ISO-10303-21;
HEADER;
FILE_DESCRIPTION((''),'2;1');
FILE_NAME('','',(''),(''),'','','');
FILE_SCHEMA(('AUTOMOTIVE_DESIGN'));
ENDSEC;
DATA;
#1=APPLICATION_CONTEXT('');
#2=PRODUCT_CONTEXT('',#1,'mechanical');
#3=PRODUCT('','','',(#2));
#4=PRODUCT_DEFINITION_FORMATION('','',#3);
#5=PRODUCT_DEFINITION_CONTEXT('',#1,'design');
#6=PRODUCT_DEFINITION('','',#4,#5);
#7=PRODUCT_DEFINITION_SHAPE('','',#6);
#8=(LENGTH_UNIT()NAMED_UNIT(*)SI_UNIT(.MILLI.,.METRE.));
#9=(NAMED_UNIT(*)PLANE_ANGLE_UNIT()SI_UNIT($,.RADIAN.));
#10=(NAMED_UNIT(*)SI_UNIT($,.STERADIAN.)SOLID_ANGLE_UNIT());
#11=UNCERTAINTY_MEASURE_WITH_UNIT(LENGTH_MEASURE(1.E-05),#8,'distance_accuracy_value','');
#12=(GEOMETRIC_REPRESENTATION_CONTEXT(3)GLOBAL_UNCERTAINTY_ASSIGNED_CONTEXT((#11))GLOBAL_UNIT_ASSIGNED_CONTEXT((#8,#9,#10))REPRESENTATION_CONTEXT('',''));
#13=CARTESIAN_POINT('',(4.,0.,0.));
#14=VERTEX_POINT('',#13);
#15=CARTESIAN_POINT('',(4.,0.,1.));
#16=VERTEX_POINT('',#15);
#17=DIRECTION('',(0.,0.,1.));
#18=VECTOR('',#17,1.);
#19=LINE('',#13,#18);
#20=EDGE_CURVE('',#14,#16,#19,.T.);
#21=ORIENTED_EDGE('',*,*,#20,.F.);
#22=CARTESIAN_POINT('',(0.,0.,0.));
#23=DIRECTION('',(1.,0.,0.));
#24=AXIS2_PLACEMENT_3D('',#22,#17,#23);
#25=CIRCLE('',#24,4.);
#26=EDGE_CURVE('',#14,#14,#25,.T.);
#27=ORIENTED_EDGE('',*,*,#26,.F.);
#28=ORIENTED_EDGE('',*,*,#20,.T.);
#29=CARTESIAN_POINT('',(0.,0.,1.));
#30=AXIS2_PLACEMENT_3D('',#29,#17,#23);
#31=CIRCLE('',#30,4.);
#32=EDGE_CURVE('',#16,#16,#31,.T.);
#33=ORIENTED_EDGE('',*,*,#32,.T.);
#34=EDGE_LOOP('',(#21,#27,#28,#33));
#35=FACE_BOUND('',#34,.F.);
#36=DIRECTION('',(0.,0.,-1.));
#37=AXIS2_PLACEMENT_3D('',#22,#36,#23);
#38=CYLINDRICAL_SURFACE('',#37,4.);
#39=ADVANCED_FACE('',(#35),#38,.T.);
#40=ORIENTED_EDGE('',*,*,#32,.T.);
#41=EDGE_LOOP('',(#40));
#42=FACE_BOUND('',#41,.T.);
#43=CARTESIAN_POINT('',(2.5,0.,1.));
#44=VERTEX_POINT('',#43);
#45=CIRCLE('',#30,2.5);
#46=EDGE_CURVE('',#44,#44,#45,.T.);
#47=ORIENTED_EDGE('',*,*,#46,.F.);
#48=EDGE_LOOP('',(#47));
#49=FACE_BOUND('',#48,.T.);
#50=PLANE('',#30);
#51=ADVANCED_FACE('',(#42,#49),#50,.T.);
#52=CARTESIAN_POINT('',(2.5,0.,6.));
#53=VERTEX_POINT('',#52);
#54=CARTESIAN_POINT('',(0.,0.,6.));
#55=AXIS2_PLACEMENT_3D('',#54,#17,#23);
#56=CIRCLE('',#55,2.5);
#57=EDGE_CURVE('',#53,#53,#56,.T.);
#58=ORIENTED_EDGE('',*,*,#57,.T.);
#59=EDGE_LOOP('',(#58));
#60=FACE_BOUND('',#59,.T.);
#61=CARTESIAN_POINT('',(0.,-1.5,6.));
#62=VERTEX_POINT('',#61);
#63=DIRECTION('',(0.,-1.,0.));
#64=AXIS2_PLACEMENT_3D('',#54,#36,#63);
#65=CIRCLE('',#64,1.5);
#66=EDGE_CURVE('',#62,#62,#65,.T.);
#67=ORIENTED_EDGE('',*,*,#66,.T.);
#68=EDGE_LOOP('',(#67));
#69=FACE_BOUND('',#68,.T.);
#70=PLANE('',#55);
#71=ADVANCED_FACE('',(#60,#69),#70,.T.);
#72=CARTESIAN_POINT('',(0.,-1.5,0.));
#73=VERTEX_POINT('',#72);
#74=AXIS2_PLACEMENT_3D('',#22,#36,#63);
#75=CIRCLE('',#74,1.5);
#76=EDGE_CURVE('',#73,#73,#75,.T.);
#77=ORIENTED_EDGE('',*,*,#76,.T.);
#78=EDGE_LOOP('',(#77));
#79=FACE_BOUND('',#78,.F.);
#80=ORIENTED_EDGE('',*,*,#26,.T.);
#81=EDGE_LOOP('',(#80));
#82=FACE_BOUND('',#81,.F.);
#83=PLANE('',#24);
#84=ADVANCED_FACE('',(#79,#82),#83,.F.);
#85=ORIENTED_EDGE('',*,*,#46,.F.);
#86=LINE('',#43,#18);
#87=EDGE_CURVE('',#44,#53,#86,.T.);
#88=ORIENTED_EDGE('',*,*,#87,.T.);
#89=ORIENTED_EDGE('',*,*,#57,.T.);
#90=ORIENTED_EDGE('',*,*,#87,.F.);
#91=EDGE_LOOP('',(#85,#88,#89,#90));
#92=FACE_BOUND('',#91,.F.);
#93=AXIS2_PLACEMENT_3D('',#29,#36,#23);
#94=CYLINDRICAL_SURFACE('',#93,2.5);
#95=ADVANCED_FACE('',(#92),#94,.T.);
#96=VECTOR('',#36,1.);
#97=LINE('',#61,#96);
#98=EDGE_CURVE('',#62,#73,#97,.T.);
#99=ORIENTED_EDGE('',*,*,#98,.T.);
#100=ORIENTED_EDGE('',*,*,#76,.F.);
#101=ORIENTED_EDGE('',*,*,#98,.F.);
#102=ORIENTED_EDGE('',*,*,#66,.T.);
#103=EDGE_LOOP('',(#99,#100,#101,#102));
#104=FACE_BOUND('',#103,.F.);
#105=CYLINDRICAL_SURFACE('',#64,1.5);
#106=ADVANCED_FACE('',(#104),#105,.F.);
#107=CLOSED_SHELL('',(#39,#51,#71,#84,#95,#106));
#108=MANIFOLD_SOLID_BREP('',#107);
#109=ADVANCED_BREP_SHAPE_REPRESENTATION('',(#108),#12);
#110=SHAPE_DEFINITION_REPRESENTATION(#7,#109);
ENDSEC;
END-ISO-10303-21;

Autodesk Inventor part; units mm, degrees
ref_plane "YZ Plane" through (0, 0, 0) normal (1, 0, 0) x (0, 1, 0)
ref_plane "XZ Plane" through (0, 0, 0) normal (0, 1, 0) x (-1, 0, 0)
ref_plane "XY Plane" through (0, 0, 0) normal (0, 0, 1) x (1, 0, 0)
sketch "スケッチ1" plane through (0, 0, 0) normal (0, 0, 1) x (1, 0, 0)
  circle A0 centre (0, 0) radius 4
  dimension "d0" = 8
extrude "押し出し1" add sketch "スケッチ1" along normal blind 1
sketch "スケッチ2" plane through (0, 0, 1) normal (0, 0, 1) x (1, 0, 0)
  circle A0 centre (0, 0) radius 2.5
  dimension "d3" = 5
extrude "押し出し2" add sketch "スケッチ2" along normal blind 5
sketch "スケッチ3" plane through (0, 0, 6) normal (0, 0, 1) x (1, 0, 0)
  point P0 (0, 0)
  point P1 (0, 0)
hole "穴1" at (0, 0, 6) direction (0, 0, -1) diameter 3 end through all
properties part number "RD016"
